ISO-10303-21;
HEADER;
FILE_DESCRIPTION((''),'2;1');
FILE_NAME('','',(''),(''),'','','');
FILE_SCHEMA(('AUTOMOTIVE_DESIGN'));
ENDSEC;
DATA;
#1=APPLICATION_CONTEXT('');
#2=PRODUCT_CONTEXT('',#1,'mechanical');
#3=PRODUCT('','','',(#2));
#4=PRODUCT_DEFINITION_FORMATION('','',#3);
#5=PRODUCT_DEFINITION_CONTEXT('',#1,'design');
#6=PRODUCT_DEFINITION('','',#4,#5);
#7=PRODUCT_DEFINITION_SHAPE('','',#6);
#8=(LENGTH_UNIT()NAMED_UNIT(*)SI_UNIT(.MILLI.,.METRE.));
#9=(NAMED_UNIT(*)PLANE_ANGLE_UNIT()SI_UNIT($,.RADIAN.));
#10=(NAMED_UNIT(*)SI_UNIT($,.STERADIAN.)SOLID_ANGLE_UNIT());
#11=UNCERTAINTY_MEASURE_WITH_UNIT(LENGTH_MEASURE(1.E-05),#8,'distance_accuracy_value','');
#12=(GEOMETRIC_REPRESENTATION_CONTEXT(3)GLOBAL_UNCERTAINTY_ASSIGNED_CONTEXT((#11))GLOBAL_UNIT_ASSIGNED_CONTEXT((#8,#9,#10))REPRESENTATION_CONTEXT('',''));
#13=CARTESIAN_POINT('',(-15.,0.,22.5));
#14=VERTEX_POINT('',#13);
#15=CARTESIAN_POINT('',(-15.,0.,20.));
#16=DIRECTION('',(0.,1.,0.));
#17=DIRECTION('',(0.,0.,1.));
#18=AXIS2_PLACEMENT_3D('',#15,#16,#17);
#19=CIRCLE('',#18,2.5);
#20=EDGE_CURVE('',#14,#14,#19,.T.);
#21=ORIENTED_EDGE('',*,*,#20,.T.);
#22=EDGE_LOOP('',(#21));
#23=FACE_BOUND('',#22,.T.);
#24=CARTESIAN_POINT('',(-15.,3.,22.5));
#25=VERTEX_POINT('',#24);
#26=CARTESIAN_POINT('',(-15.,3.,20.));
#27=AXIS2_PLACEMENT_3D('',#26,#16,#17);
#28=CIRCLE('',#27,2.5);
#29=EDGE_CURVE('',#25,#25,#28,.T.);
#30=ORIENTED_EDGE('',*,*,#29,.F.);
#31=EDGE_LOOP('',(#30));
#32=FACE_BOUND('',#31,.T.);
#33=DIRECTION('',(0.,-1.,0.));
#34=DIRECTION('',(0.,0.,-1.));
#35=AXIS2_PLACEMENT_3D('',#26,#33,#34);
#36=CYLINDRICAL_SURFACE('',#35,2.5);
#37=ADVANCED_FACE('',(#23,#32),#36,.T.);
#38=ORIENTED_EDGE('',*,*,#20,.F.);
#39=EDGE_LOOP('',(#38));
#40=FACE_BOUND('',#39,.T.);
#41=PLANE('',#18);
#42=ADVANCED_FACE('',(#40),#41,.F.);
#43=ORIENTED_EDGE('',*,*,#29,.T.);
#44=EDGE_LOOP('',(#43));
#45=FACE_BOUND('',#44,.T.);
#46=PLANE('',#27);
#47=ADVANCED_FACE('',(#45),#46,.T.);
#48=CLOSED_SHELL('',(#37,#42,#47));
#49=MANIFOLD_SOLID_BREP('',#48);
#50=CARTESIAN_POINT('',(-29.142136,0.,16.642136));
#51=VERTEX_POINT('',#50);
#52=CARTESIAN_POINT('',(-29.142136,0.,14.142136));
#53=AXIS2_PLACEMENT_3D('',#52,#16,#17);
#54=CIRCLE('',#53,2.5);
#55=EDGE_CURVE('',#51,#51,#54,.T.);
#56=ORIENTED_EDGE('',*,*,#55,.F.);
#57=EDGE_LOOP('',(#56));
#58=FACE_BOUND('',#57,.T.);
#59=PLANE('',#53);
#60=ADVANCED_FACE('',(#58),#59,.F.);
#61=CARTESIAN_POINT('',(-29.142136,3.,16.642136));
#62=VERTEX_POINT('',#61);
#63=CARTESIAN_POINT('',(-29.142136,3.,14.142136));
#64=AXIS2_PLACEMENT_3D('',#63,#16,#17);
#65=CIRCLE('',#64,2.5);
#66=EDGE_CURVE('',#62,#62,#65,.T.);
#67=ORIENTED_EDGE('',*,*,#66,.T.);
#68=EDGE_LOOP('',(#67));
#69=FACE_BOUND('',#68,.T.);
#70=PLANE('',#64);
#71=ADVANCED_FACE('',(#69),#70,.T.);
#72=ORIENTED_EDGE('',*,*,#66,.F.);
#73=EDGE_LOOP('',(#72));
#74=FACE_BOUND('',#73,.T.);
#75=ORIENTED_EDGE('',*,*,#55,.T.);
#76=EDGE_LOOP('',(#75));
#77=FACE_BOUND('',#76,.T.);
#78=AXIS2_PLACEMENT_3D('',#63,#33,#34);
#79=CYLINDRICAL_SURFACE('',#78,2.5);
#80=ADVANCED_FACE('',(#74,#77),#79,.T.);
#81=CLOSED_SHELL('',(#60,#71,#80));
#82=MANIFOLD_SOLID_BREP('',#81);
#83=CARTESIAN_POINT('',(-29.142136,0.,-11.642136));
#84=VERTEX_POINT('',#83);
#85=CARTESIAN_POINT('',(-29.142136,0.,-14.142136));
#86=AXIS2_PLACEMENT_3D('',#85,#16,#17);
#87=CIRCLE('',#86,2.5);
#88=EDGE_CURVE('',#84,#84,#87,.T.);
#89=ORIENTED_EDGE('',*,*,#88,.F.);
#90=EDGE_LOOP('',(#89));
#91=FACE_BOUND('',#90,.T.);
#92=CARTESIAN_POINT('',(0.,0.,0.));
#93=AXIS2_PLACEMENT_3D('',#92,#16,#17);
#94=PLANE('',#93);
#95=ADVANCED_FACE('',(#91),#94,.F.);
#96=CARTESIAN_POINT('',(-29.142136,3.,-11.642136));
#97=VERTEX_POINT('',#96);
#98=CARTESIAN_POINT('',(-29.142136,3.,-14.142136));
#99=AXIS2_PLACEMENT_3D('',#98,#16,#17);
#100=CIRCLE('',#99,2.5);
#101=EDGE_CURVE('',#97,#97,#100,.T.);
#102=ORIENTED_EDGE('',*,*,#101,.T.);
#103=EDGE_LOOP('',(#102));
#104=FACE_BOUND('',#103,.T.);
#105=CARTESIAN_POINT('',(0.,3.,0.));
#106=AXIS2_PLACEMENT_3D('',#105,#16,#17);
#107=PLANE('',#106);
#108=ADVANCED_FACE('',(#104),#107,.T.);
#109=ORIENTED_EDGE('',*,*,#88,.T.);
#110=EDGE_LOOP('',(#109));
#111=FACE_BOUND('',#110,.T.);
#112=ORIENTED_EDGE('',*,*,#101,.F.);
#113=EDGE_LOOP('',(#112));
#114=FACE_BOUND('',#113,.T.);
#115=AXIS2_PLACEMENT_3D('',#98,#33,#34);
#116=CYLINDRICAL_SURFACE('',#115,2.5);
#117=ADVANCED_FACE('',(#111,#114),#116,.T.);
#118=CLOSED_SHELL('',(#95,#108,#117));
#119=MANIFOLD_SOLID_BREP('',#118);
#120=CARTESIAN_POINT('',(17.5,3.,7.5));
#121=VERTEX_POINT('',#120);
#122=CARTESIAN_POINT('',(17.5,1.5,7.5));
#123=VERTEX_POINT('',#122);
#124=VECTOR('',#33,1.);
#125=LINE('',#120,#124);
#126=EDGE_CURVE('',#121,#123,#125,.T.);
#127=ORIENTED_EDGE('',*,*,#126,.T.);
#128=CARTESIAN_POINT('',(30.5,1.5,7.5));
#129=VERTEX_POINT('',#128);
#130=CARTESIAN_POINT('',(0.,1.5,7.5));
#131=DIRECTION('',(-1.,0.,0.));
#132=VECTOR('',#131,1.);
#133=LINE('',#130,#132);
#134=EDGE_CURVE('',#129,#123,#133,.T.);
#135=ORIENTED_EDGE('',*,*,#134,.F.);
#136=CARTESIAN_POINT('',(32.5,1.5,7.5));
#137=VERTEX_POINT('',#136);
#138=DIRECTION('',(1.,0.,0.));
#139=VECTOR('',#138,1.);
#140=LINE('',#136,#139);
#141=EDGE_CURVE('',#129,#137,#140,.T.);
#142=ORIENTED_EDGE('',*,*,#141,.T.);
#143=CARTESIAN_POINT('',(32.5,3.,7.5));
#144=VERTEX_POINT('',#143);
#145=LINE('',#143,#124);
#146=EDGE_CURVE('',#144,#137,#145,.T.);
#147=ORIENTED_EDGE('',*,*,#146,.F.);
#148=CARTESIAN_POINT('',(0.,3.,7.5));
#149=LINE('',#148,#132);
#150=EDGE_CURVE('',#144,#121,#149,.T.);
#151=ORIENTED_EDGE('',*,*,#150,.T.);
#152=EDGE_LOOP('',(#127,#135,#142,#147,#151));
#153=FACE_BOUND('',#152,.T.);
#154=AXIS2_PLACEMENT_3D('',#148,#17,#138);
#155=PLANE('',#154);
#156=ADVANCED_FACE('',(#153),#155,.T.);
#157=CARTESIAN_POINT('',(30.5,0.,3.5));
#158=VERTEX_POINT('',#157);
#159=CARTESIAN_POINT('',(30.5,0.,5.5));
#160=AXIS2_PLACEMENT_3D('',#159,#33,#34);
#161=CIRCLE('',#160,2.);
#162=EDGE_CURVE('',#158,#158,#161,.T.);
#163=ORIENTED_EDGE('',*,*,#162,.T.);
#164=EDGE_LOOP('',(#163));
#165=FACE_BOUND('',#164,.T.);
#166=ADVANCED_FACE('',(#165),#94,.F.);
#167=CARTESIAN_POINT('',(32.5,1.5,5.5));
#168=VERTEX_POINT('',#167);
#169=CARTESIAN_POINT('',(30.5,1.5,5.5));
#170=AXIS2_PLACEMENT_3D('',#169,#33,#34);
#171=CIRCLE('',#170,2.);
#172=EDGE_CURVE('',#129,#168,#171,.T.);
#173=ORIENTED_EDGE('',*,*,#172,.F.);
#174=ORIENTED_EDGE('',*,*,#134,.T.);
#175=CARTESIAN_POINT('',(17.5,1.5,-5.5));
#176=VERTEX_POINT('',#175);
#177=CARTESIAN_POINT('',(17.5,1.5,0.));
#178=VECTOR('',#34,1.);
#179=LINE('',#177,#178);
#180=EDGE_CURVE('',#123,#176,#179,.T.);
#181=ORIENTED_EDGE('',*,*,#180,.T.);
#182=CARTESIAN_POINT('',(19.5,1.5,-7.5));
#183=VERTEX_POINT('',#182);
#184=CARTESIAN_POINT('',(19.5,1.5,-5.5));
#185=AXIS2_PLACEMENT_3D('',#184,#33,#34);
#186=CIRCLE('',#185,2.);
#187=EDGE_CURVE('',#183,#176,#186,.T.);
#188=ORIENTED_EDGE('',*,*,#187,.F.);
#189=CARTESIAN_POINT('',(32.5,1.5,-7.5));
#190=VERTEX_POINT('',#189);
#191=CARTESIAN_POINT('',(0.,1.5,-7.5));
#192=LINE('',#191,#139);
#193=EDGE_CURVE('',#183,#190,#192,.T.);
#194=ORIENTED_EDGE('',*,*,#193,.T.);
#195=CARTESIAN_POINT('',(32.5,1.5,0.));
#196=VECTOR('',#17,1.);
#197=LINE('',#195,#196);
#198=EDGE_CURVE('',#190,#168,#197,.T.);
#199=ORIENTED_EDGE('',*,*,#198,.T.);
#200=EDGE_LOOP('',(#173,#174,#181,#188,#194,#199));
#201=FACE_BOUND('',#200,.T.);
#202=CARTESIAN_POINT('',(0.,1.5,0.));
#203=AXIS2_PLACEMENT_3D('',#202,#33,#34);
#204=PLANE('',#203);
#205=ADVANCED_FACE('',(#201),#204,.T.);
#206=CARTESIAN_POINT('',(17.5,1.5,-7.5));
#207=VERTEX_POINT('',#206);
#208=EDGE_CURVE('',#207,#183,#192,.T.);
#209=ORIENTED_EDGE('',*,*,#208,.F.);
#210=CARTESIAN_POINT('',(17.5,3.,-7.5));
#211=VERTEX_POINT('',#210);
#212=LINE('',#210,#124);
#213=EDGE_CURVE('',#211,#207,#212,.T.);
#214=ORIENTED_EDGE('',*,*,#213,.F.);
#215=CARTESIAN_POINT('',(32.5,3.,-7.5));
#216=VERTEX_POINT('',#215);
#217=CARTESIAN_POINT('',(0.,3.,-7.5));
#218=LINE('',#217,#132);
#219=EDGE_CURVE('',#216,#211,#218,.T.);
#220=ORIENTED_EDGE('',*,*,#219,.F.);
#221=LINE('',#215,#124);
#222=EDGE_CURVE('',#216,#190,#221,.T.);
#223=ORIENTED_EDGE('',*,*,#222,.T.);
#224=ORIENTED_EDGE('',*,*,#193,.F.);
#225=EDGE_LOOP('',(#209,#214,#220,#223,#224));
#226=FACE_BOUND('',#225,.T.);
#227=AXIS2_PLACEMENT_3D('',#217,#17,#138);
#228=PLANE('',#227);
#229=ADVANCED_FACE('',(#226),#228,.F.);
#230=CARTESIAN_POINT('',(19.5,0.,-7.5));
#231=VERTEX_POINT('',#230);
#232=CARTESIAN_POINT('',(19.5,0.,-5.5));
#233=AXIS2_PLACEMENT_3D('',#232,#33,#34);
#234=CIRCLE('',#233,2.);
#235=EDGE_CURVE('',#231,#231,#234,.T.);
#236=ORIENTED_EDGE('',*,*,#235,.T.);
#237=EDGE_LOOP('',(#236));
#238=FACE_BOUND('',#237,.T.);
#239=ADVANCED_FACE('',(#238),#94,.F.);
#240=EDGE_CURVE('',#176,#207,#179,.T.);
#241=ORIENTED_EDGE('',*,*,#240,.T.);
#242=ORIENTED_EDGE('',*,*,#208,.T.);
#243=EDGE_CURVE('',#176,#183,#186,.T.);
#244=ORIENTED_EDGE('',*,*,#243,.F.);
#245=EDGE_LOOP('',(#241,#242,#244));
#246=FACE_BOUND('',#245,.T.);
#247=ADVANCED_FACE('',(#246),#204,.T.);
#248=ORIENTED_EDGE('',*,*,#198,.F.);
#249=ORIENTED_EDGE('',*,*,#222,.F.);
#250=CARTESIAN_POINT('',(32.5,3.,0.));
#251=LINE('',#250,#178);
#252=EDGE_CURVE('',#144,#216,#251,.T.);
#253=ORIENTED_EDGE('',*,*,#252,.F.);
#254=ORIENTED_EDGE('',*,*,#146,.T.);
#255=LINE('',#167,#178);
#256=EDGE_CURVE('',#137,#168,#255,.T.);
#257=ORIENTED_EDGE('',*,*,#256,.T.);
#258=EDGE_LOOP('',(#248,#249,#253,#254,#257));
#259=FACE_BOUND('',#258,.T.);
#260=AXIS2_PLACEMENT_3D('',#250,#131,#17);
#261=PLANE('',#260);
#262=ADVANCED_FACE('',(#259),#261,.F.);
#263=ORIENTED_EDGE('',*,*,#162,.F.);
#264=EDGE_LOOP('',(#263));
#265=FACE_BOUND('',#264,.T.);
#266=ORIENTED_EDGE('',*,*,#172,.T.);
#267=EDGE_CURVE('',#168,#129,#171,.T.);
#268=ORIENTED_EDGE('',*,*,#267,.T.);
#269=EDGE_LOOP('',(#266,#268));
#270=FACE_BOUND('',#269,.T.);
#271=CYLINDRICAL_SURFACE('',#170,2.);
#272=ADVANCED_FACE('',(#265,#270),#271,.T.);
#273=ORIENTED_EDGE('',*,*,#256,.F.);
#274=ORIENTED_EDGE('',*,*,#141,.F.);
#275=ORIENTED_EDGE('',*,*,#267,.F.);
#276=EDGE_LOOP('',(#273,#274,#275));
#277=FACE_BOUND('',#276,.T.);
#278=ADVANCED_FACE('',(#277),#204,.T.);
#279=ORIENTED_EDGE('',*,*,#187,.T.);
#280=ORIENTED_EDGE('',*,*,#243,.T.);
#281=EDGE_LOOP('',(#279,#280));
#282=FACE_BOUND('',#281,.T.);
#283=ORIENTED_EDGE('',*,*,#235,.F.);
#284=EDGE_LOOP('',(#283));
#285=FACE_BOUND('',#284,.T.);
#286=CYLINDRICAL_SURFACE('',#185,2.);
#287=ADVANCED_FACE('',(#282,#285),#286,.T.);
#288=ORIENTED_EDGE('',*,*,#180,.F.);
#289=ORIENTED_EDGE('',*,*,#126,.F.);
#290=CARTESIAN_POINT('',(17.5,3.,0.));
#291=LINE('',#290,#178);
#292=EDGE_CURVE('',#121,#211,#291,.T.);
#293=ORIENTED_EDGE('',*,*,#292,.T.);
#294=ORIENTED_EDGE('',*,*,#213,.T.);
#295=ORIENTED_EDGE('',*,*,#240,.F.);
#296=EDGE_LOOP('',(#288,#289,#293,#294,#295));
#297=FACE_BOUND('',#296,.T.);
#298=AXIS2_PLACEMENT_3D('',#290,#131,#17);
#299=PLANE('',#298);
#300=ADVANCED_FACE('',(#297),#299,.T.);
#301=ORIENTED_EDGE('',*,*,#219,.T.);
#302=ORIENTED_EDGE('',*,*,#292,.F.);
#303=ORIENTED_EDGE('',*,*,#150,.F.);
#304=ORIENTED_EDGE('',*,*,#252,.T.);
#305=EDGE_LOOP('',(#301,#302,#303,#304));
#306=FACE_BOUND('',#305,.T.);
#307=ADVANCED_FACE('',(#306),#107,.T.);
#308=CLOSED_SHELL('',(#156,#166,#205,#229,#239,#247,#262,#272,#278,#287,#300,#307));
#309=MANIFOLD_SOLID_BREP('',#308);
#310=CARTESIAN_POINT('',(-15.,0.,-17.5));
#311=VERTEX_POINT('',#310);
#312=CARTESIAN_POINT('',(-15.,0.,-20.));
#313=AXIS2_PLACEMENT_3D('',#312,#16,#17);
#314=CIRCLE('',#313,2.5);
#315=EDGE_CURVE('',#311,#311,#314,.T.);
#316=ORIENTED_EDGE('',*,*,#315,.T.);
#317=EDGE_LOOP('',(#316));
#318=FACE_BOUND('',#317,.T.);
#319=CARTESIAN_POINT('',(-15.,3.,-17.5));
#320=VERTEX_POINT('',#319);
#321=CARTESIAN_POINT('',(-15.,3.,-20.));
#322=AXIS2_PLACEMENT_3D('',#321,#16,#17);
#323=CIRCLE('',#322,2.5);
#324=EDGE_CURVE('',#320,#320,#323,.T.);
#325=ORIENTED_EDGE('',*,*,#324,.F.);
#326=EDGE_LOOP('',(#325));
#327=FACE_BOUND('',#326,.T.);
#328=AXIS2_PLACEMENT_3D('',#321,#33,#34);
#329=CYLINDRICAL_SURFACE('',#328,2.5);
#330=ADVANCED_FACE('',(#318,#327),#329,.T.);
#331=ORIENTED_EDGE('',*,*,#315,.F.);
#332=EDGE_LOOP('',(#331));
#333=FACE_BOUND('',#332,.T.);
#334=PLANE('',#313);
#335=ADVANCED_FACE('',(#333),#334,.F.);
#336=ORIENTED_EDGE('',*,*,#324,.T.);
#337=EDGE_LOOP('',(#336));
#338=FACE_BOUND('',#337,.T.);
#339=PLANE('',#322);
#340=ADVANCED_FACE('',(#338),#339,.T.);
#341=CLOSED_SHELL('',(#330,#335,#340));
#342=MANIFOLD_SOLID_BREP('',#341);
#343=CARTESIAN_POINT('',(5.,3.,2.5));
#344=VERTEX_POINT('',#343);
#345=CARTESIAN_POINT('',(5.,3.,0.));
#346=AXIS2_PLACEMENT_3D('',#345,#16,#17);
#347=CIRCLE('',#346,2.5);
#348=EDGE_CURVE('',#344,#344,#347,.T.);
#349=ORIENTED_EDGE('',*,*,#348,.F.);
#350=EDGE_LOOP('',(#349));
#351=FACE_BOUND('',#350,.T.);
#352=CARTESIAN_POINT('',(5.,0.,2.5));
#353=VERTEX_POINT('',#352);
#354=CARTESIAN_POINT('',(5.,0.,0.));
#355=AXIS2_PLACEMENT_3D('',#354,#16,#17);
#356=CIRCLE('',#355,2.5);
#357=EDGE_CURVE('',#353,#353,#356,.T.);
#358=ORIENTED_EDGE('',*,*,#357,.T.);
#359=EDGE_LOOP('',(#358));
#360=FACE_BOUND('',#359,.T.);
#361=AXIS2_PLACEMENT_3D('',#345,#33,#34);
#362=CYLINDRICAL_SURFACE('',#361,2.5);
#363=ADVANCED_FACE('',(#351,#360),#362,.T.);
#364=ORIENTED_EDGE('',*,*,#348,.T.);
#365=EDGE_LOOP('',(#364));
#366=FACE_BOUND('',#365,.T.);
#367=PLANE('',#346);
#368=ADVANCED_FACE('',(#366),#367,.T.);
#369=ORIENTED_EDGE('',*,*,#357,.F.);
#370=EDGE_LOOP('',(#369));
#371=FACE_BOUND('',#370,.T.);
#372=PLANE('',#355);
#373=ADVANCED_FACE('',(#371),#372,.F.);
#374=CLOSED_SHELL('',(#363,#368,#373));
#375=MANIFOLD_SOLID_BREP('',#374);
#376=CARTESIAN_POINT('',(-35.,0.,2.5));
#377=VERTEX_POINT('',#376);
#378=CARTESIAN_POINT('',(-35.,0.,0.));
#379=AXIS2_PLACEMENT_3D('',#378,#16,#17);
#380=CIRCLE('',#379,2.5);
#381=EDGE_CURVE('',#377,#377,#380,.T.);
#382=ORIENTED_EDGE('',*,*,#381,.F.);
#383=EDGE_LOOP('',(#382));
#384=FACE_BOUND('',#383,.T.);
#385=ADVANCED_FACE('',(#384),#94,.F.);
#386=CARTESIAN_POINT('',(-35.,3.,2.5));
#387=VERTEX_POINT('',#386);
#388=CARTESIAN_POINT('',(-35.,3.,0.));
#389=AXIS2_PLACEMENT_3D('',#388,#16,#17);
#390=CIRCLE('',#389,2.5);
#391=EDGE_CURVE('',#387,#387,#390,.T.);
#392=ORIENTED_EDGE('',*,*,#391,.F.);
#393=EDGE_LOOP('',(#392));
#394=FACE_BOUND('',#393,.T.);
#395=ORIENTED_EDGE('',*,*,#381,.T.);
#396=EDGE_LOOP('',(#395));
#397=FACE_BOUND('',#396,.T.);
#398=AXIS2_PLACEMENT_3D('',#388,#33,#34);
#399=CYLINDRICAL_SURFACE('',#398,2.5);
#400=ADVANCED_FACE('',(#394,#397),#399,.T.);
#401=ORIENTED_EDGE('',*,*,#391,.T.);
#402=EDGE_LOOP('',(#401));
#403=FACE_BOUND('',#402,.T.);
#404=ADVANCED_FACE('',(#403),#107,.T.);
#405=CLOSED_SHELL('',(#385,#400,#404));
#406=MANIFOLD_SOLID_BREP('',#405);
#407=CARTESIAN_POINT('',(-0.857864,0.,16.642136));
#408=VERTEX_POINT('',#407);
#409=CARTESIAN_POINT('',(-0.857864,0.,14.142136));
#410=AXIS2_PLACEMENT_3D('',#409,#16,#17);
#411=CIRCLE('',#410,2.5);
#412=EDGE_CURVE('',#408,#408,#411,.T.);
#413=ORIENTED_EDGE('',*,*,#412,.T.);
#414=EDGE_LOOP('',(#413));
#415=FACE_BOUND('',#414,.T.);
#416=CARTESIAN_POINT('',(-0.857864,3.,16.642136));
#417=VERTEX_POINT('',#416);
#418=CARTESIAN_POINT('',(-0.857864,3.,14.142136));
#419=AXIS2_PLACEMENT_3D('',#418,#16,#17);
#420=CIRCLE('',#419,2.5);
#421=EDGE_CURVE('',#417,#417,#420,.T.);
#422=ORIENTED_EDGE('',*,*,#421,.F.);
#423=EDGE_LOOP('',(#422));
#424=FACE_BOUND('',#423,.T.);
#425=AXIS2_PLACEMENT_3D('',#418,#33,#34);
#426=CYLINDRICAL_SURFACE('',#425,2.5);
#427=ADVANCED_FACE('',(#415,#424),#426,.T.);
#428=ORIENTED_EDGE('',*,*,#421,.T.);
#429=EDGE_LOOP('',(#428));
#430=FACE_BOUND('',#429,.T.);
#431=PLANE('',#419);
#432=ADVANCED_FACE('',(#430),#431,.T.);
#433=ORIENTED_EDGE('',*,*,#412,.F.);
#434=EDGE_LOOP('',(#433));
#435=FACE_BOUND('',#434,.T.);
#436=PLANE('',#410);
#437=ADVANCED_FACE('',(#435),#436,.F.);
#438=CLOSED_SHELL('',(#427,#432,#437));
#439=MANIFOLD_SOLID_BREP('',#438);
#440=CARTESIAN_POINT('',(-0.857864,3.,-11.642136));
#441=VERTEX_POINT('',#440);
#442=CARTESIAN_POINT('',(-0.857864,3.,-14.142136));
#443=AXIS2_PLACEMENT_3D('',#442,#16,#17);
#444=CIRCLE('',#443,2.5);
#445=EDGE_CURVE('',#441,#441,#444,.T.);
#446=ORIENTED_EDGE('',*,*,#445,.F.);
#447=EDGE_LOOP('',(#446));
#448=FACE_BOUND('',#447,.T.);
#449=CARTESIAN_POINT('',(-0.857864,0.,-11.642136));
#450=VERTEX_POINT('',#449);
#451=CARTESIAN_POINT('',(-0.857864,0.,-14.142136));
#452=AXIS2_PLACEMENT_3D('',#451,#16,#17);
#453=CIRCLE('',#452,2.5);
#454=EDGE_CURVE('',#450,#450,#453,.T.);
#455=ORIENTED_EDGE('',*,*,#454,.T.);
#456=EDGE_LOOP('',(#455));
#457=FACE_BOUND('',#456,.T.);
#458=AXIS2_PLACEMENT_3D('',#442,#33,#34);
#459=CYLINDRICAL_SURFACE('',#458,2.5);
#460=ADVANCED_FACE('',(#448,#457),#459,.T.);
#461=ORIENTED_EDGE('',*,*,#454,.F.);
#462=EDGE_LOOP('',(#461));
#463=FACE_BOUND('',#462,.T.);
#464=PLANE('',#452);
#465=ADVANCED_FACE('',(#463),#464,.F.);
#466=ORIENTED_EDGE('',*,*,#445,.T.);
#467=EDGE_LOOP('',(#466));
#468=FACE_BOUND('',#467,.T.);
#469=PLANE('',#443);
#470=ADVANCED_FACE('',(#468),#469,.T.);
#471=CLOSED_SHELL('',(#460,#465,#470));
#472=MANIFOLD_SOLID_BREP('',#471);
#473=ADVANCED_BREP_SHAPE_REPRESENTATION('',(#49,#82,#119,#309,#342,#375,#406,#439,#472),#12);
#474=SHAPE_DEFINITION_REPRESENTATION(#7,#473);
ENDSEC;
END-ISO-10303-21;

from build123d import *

# Parameters (mm, degrees)
SKETCH1_R             = 2.5
BOSS_EXTRUDE3_DEPTH   = 3
BOSS_EXTRUDE3_2_DEPTH = 3
BOSS_EXTRUDE3_3_DEPTH = 3
BOSS_EXTRUDE3_4_DEPTH = 3
BOSS_EXTRUDE3_5_DEPTH = 3
BOSS_EXTRUDE3_6_DEPTH = 3
BOSS_EXTRUDE3_7_DEPTH = 3
BOSS_EXTRUDE3_8_DEPTH = 3
SKETCH1_W             = 15
SKETCH1_H             = 15
BOSS_EXTRUDE3_9_DEPTH = 3
CUT_EXTRUDE1_DEPTH    = 1.5
CUT_EXTRUDE3_DEPTH    = 1.5


with BuildPart() as part:
    # Sketch1 → Boss-Extrude3 (new body)
    with BuildSketch(Plane(origin=(0, 0, 0), x_dir=(1, 0, 0), z_dir=(0, 1, 0))):
        with Locations((-35, 0)):
            Circle(SKETCH1_R)
    extrude(amount=BOSS_EXTRUDE3_DEPTH)


with BuildPart() as body_2:
    # Sketch1 → Boss-Extrude3 2 (new body)
    with BuildSketch(Plane(origin=(0, 0, 0), x_dir=(1, 0, 0), z_dir=(0, 1, 0))):
        with Locations((-29.142135624, 14.142135624)):
            Circle(SKETCH1_R)
    extrude(amount=BOSS_EXTRUDE3_2_DEPTH)


with BuildPart() as body_3:
    # Sketch1 → Boss-Extrude3 3 (new body)
    with BuildSketch(Plane(origin=(0, 0, 0), x_dir=(1, 0, 0), z_dir=(0, 1, 0))):
        with Locations((-15, 20)):
            Circle(SKETCH1_R)
    extrude(amount=BOSS_EXTRUDE3_3_DEPTH)


with BuildPart() as body_4:
    # Sketch1 → Boss-Extrude3 4 (new body)
    with BuildSketch(Plane(origin=(0, 0, 0), x_dir=(1, 0, 0), z_dir=(0, 1, 0))):
        with Locations((-0.857864376, 14.142135624)):
            Circle(SKETCH1_R)
    extrude(amount=BOSS_EXTRUDE3_4_DEPTH)


with BuildPart() as body_5:
    # Sketch1 → Boss-Extrude3 5 (new body)
    with BuildSketch(Plane(origin=(0, 0, 0), x_dir=(1, 0, 0), z_dir=(0, 1, 0))):
        with Locations((5, 0)):
            Circle(SKETCH1_R)
    extrude(amount=BOSS_EXTRUDE3_5_DEPTH)


with BuildPart() as body_6:
    # Sketch1 → Boss-Extrude3 6 (new body)
    with BuildSketch(Plane(origin=(0, 0, 0), x_dir=(1, 0, 0), z_dir=(0, 1, 0))):
        with Locations((-0.857864376, -14.142135624)):
            Circle(SKETCH1_R)
    extrude(amount=BOSS_EXTRUDE3_6_DEPTH)


with BuildPart() as body_7:
    # Sketch1 → Boss-Extrude3 7 (new body)
    with BuildSketch(Plane(origin=(0, 0, 0), x_dir=(1, 0, 0), z_dir=(0, 1, 0))):
        with Locations((-15, -20)):
            Circle(SKETCH1_R)
    extrude(amount=BOSS_EXTRUDE3_7_DEPTH)


with BuildPart() as body_8:
    # Sketch1 → Boss-Extrude3 8 (new body)
    with BuildSketch(Plane(origin=(0, 0, 0), x_dir=(1, 0, 0), z_dir=(0, 1, 0))):
        with Locations((-29.142135624, -14.142135624)):
            Circle(SKETCH1_R)
    extrude(amount=BOSS_EXTRUDE3_8_DEPTH)


with BuildPart() as body_9:
    # Sketch1 → Boss-Extrude3 9 (new body)
    with BuildSketch(Plane(origin=(0, 0, 0), x_dir=(1, 0, 0), z_dir=(0, 1, 0))):
        with Locations((25, 0)):
            Rectangle(SKETCH1_W, SKETCH1_H)
    extrude(amount=BOSS_EXTRUDE3_9_DEPTH)

    # Sketch2 → Cut-Extrude1 (cut)
    with BuildSketch(Plane.XZ):
        with BuildLine():
            Line((30.5, 7.5), (17.5, 7.5))
            Line((17.5, 7.5), (17.5, -5.5))
            ThreePointArc((17.5, -5.5), (20.914213562, -4.085786438), (19.5, -7.5))
            Line((19.5, -7.5), (32.5, -7.5))
            Line((32.5, -7.5), (32.5, 5.5))
            ThreePointArc((32.5, 5.5), (29.085786438, 4.085786438), (30.5, 7.5))
        make_face()
        with BuildLine():
            ThreePointArc((19.5, -7.5), (18.085786438, -6.914213562), (17.5, -5.5))
            Line((17.5, -5.5), (17.5, -7.5))
            Line((17.5, -7.5), (19.5, -7.5))
        make_face()
    extrude(amount=-CUT_EXTRUDE1_DEPTH, mode=Mode.SUBTRACT)

    # Sketch3 → Cut-Extrude3 (cut)
    with BuildSketch(Plane.XZ):
        with BuildLine():
            Line((32.5, 5.5), (32.5, 7.5))
            Line((32.5, 7.5), (30.5, 7.5))
            ThreePointArc((30.5, 7.5), (31.914213562, 6.914213562), (32.5, 5.5))
        make_face()
    extrude(amount=-CUT_EXTRUDE3_DEPTH, mode=Mode.SUBTRACT)


solid = Compound([part.part, body_2.part, body_3.part, body_4.part, body_5.part, body_6.part, body_7.part, body_8.part, body_9.part])
